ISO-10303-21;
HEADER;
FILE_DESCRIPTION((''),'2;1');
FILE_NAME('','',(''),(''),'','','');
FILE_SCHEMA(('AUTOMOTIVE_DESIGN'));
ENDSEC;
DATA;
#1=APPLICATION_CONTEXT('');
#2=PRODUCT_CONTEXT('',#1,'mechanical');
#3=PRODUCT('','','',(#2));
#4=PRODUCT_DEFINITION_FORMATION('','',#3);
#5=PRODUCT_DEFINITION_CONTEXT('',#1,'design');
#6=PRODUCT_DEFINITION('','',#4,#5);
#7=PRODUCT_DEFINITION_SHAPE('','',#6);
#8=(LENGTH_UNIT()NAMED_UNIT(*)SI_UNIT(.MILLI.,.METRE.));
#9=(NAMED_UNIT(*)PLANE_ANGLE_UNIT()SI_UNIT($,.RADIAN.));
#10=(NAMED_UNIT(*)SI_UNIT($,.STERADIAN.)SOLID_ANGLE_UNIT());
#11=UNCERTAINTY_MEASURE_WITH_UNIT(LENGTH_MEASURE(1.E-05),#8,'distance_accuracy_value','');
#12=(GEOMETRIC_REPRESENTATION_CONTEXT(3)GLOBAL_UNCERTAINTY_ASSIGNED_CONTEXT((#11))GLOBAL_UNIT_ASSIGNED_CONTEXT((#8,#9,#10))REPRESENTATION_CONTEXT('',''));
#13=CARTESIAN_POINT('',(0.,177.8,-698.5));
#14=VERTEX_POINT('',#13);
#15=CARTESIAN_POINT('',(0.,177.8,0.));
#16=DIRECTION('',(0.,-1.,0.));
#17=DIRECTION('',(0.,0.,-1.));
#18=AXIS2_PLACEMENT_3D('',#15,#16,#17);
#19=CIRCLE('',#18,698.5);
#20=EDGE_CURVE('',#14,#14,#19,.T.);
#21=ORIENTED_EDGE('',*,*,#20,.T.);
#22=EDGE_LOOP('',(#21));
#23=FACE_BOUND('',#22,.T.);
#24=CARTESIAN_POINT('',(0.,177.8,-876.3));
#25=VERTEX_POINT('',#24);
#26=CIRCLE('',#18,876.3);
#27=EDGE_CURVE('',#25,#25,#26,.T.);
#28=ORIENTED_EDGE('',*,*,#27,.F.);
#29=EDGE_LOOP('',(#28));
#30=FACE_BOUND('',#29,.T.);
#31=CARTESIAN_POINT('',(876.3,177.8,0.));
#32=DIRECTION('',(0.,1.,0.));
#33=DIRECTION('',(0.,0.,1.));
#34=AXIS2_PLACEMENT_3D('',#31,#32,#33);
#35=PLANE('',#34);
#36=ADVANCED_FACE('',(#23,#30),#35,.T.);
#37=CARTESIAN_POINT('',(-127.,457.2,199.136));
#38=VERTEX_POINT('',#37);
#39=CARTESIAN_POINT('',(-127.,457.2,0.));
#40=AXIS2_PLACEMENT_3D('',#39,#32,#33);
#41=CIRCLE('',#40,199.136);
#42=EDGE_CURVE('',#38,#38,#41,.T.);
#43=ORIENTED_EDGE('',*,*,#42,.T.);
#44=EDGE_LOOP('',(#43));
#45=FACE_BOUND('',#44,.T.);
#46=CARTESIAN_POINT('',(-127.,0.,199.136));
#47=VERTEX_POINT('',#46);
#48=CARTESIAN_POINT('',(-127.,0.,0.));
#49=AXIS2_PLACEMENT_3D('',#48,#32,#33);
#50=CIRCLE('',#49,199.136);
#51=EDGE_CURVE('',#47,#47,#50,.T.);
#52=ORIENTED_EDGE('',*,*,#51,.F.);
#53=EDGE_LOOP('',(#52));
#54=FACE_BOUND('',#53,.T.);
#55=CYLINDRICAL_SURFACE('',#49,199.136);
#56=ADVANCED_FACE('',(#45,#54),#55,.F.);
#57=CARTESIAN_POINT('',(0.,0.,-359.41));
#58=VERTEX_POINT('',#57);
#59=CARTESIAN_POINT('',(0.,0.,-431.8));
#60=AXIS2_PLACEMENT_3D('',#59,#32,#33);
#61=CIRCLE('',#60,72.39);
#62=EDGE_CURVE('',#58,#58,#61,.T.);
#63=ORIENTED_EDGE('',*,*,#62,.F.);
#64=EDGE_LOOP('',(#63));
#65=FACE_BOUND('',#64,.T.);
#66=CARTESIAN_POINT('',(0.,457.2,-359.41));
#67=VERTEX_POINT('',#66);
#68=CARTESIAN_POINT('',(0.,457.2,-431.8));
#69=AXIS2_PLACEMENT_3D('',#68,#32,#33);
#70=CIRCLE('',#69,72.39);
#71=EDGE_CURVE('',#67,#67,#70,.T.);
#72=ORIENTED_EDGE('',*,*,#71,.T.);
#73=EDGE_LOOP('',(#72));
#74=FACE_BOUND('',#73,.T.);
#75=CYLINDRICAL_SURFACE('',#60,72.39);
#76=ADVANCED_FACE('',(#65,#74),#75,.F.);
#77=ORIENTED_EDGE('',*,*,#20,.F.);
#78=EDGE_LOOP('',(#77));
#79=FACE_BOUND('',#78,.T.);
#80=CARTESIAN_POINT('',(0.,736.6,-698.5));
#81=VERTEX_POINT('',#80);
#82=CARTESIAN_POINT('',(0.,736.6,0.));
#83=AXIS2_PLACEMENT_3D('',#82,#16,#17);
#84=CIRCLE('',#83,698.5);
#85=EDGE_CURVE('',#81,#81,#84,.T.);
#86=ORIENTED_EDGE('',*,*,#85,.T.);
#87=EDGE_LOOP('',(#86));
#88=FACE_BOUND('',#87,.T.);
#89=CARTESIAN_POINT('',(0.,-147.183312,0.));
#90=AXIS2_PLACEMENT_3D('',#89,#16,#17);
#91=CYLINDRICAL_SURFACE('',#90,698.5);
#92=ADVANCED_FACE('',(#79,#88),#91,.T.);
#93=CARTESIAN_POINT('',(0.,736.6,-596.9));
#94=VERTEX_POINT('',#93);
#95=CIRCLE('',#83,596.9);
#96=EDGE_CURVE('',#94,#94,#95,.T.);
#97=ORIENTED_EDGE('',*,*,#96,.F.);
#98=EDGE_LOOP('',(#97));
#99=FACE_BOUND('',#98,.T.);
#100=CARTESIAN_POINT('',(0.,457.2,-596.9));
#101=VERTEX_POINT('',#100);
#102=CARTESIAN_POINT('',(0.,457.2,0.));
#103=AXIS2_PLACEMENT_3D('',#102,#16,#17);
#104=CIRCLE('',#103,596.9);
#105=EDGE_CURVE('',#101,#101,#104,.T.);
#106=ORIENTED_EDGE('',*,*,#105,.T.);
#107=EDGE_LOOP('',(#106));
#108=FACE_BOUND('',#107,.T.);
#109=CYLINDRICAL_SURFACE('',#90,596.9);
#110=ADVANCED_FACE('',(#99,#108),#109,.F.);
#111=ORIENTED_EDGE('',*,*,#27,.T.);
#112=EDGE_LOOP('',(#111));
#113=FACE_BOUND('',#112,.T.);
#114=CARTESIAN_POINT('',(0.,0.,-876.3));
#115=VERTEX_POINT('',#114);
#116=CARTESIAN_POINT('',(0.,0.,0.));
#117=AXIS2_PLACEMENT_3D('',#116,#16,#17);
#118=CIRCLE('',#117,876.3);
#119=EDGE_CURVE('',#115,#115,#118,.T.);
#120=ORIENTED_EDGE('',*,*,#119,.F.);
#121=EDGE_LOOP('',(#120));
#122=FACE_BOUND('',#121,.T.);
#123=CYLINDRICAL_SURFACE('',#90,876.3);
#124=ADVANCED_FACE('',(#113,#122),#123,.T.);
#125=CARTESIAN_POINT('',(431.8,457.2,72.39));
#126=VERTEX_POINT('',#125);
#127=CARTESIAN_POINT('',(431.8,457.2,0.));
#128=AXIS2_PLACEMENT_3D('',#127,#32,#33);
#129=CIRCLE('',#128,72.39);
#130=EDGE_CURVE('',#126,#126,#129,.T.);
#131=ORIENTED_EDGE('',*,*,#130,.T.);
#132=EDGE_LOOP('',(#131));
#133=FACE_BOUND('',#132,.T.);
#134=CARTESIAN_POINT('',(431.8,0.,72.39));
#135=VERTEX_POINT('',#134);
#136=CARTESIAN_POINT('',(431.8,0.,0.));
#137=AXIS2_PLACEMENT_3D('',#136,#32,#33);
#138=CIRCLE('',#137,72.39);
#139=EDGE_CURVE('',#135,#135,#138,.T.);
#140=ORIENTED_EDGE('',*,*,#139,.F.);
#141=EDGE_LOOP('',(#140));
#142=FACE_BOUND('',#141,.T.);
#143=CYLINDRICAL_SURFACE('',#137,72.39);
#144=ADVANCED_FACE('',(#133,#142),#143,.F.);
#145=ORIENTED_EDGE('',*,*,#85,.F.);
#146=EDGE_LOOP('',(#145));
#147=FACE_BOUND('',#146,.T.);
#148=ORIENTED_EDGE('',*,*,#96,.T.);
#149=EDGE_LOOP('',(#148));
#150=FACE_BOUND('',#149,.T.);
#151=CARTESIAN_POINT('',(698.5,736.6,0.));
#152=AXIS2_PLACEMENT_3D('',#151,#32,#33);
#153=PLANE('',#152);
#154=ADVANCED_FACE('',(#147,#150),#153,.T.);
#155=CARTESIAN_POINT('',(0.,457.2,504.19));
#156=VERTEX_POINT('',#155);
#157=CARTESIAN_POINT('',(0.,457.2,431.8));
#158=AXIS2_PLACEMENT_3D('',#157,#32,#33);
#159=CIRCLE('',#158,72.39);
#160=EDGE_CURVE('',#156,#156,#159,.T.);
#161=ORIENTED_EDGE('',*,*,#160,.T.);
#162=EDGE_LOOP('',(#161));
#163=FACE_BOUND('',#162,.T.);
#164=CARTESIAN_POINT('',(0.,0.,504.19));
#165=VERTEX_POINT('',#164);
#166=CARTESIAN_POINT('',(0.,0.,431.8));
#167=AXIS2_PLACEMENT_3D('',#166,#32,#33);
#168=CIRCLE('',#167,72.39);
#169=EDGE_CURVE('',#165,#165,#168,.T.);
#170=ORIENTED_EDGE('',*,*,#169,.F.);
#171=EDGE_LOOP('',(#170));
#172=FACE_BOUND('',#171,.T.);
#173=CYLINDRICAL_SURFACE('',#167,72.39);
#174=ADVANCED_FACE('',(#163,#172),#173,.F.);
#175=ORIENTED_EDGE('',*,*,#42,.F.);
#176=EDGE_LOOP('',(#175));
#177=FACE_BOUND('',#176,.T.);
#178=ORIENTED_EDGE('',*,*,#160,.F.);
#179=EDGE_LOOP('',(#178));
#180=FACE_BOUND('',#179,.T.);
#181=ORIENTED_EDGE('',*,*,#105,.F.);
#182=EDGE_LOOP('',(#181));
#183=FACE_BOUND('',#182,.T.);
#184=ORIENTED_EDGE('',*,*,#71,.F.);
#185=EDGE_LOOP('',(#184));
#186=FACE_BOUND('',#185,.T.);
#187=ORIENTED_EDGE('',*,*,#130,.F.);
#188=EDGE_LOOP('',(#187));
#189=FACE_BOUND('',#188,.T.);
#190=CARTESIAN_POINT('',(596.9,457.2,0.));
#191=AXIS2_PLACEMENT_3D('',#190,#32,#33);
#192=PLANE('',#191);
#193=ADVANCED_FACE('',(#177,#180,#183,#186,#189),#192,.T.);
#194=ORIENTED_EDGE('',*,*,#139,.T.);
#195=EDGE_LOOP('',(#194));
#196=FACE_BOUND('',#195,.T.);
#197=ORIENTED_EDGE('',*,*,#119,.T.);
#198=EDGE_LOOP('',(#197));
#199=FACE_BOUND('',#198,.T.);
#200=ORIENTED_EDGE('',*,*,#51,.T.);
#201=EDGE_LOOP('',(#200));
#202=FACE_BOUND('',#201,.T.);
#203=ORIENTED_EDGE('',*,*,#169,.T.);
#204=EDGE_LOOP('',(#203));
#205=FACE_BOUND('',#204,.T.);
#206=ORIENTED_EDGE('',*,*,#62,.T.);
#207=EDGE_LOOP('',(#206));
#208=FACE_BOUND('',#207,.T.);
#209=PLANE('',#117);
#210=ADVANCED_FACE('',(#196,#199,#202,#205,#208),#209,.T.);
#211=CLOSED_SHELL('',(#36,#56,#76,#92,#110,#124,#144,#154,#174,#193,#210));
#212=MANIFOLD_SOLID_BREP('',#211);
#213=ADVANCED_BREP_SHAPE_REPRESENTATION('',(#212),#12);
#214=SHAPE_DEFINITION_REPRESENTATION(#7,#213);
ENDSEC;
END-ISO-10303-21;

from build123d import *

# Parameters (mm, degrees)
SKETCH2_R          = 199.136
SKETCH2_R_2        = 72.39
CUT_EXTRUDE1_DEPTH = 1321.92210974


with BuildPart() as part:
    # Sketch1 → Revolve1 (revolve)
    with BuildSketch(Plane.XY, mode=Mode.PRIVATE) as revolve1_sk:
        Polygon((0, 0), (876.3, 0), (876.3, 177.8), (698.5, 177.8), (698.5, 736.6), (596.9, 736.6), (596.9, 457.2), (0, 457.2), align=None)
    revolve(revolve1_sk.sketch.rotate(Axis((0, -147.183312333, 0), (0, 1, 0)), 90), axis=Axis((0, -147.183312333, 0), (0, 1, 0)))

    # Sketch2 → Cut-Extrude1 (cut, through all)
    with BuildSketch(Plane(origin=(0, 457.2, 0), x_dir=(1, 0, 0), z_dir=(0, 1, 0))):
        with Locations(Location((-127, 0, 0), (0, 0, 270))):
            Circle(SKETCH2_R)
        with Locations(Location((0, 431.8, 0), (0, 0, 270))):
            Circle(SKETCH2_R_2)
        with Locations(Location((431.8, 0, 0), (0, 0, 270))):
            Circle(SKETCH2_R_2)
        with Locations(Location((0, -431.8, 0), (0, 0, 270))):
            Circle(SKETCH2_R_2)
    extrude(amount=-CUT_EXTRUDE1_DEPTH, mode=Mode.SUBTRACT)


solid = part.part
